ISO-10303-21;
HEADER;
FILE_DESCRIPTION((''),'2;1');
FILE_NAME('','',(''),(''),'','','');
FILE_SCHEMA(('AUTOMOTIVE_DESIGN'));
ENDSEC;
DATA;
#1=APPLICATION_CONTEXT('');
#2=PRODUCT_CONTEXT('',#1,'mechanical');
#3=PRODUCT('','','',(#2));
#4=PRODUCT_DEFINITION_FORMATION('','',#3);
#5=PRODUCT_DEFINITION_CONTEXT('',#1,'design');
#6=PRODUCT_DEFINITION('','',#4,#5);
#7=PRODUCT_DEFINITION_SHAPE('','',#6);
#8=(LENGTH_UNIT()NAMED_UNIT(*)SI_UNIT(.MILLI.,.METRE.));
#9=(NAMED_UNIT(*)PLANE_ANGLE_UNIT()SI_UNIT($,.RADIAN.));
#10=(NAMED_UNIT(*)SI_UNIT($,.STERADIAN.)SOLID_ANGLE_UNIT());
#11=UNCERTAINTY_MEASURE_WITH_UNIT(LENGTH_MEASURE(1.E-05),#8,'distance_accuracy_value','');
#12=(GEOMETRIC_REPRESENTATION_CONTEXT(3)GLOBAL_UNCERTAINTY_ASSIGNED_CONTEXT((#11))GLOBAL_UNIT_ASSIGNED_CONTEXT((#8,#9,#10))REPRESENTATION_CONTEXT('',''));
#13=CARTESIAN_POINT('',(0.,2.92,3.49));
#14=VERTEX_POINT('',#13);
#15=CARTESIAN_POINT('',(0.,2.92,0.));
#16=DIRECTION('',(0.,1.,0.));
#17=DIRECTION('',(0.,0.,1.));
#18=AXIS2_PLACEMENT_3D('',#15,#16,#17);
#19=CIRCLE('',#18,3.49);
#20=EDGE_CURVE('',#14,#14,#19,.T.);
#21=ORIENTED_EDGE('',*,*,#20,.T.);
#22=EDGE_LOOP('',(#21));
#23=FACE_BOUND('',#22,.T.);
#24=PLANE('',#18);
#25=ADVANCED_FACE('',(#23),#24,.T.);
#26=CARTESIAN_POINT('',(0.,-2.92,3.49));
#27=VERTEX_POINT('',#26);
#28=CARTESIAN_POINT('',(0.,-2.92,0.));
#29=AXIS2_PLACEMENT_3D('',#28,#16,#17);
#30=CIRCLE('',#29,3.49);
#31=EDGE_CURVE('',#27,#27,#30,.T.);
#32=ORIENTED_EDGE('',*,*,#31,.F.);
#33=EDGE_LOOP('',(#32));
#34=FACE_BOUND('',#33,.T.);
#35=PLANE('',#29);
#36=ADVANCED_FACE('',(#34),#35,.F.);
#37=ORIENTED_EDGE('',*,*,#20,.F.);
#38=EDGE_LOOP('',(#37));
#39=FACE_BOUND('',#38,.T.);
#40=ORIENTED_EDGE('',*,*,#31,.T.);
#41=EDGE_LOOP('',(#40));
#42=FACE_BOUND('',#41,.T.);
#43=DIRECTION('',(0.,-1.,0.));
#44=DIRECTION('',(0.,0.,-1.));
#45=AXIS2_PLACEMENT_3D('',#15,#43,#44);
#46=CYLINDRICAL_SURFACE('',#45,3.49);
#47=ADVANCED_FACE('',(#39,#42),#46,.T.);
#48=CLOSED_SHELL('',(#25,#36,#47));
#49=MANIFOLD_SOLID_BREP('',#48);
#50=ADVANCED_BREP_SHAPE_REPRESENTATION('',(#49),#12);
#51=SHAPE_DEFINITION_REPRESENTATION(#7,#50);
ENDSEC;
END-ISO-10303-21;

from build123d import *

# Parameters (mm, degrees)
SKETCH1_R           = 3.49
BOSS_EXTRUDE1_DEPTH = 2.92


with BuildPart() as part:
    # Sketch1 → Boss-Extrude1 (new body, symmetric)
    with BuildSketch(Plane(origin=(0, 0, 0), x_dir=(1, 0, 0), z_dir=(0, 1, 0))):
        Circle(SKETCH1_R)
    extrude(amount=BOSS_EXTRUDE1_DEPTH, both=True)


solid = part.part
